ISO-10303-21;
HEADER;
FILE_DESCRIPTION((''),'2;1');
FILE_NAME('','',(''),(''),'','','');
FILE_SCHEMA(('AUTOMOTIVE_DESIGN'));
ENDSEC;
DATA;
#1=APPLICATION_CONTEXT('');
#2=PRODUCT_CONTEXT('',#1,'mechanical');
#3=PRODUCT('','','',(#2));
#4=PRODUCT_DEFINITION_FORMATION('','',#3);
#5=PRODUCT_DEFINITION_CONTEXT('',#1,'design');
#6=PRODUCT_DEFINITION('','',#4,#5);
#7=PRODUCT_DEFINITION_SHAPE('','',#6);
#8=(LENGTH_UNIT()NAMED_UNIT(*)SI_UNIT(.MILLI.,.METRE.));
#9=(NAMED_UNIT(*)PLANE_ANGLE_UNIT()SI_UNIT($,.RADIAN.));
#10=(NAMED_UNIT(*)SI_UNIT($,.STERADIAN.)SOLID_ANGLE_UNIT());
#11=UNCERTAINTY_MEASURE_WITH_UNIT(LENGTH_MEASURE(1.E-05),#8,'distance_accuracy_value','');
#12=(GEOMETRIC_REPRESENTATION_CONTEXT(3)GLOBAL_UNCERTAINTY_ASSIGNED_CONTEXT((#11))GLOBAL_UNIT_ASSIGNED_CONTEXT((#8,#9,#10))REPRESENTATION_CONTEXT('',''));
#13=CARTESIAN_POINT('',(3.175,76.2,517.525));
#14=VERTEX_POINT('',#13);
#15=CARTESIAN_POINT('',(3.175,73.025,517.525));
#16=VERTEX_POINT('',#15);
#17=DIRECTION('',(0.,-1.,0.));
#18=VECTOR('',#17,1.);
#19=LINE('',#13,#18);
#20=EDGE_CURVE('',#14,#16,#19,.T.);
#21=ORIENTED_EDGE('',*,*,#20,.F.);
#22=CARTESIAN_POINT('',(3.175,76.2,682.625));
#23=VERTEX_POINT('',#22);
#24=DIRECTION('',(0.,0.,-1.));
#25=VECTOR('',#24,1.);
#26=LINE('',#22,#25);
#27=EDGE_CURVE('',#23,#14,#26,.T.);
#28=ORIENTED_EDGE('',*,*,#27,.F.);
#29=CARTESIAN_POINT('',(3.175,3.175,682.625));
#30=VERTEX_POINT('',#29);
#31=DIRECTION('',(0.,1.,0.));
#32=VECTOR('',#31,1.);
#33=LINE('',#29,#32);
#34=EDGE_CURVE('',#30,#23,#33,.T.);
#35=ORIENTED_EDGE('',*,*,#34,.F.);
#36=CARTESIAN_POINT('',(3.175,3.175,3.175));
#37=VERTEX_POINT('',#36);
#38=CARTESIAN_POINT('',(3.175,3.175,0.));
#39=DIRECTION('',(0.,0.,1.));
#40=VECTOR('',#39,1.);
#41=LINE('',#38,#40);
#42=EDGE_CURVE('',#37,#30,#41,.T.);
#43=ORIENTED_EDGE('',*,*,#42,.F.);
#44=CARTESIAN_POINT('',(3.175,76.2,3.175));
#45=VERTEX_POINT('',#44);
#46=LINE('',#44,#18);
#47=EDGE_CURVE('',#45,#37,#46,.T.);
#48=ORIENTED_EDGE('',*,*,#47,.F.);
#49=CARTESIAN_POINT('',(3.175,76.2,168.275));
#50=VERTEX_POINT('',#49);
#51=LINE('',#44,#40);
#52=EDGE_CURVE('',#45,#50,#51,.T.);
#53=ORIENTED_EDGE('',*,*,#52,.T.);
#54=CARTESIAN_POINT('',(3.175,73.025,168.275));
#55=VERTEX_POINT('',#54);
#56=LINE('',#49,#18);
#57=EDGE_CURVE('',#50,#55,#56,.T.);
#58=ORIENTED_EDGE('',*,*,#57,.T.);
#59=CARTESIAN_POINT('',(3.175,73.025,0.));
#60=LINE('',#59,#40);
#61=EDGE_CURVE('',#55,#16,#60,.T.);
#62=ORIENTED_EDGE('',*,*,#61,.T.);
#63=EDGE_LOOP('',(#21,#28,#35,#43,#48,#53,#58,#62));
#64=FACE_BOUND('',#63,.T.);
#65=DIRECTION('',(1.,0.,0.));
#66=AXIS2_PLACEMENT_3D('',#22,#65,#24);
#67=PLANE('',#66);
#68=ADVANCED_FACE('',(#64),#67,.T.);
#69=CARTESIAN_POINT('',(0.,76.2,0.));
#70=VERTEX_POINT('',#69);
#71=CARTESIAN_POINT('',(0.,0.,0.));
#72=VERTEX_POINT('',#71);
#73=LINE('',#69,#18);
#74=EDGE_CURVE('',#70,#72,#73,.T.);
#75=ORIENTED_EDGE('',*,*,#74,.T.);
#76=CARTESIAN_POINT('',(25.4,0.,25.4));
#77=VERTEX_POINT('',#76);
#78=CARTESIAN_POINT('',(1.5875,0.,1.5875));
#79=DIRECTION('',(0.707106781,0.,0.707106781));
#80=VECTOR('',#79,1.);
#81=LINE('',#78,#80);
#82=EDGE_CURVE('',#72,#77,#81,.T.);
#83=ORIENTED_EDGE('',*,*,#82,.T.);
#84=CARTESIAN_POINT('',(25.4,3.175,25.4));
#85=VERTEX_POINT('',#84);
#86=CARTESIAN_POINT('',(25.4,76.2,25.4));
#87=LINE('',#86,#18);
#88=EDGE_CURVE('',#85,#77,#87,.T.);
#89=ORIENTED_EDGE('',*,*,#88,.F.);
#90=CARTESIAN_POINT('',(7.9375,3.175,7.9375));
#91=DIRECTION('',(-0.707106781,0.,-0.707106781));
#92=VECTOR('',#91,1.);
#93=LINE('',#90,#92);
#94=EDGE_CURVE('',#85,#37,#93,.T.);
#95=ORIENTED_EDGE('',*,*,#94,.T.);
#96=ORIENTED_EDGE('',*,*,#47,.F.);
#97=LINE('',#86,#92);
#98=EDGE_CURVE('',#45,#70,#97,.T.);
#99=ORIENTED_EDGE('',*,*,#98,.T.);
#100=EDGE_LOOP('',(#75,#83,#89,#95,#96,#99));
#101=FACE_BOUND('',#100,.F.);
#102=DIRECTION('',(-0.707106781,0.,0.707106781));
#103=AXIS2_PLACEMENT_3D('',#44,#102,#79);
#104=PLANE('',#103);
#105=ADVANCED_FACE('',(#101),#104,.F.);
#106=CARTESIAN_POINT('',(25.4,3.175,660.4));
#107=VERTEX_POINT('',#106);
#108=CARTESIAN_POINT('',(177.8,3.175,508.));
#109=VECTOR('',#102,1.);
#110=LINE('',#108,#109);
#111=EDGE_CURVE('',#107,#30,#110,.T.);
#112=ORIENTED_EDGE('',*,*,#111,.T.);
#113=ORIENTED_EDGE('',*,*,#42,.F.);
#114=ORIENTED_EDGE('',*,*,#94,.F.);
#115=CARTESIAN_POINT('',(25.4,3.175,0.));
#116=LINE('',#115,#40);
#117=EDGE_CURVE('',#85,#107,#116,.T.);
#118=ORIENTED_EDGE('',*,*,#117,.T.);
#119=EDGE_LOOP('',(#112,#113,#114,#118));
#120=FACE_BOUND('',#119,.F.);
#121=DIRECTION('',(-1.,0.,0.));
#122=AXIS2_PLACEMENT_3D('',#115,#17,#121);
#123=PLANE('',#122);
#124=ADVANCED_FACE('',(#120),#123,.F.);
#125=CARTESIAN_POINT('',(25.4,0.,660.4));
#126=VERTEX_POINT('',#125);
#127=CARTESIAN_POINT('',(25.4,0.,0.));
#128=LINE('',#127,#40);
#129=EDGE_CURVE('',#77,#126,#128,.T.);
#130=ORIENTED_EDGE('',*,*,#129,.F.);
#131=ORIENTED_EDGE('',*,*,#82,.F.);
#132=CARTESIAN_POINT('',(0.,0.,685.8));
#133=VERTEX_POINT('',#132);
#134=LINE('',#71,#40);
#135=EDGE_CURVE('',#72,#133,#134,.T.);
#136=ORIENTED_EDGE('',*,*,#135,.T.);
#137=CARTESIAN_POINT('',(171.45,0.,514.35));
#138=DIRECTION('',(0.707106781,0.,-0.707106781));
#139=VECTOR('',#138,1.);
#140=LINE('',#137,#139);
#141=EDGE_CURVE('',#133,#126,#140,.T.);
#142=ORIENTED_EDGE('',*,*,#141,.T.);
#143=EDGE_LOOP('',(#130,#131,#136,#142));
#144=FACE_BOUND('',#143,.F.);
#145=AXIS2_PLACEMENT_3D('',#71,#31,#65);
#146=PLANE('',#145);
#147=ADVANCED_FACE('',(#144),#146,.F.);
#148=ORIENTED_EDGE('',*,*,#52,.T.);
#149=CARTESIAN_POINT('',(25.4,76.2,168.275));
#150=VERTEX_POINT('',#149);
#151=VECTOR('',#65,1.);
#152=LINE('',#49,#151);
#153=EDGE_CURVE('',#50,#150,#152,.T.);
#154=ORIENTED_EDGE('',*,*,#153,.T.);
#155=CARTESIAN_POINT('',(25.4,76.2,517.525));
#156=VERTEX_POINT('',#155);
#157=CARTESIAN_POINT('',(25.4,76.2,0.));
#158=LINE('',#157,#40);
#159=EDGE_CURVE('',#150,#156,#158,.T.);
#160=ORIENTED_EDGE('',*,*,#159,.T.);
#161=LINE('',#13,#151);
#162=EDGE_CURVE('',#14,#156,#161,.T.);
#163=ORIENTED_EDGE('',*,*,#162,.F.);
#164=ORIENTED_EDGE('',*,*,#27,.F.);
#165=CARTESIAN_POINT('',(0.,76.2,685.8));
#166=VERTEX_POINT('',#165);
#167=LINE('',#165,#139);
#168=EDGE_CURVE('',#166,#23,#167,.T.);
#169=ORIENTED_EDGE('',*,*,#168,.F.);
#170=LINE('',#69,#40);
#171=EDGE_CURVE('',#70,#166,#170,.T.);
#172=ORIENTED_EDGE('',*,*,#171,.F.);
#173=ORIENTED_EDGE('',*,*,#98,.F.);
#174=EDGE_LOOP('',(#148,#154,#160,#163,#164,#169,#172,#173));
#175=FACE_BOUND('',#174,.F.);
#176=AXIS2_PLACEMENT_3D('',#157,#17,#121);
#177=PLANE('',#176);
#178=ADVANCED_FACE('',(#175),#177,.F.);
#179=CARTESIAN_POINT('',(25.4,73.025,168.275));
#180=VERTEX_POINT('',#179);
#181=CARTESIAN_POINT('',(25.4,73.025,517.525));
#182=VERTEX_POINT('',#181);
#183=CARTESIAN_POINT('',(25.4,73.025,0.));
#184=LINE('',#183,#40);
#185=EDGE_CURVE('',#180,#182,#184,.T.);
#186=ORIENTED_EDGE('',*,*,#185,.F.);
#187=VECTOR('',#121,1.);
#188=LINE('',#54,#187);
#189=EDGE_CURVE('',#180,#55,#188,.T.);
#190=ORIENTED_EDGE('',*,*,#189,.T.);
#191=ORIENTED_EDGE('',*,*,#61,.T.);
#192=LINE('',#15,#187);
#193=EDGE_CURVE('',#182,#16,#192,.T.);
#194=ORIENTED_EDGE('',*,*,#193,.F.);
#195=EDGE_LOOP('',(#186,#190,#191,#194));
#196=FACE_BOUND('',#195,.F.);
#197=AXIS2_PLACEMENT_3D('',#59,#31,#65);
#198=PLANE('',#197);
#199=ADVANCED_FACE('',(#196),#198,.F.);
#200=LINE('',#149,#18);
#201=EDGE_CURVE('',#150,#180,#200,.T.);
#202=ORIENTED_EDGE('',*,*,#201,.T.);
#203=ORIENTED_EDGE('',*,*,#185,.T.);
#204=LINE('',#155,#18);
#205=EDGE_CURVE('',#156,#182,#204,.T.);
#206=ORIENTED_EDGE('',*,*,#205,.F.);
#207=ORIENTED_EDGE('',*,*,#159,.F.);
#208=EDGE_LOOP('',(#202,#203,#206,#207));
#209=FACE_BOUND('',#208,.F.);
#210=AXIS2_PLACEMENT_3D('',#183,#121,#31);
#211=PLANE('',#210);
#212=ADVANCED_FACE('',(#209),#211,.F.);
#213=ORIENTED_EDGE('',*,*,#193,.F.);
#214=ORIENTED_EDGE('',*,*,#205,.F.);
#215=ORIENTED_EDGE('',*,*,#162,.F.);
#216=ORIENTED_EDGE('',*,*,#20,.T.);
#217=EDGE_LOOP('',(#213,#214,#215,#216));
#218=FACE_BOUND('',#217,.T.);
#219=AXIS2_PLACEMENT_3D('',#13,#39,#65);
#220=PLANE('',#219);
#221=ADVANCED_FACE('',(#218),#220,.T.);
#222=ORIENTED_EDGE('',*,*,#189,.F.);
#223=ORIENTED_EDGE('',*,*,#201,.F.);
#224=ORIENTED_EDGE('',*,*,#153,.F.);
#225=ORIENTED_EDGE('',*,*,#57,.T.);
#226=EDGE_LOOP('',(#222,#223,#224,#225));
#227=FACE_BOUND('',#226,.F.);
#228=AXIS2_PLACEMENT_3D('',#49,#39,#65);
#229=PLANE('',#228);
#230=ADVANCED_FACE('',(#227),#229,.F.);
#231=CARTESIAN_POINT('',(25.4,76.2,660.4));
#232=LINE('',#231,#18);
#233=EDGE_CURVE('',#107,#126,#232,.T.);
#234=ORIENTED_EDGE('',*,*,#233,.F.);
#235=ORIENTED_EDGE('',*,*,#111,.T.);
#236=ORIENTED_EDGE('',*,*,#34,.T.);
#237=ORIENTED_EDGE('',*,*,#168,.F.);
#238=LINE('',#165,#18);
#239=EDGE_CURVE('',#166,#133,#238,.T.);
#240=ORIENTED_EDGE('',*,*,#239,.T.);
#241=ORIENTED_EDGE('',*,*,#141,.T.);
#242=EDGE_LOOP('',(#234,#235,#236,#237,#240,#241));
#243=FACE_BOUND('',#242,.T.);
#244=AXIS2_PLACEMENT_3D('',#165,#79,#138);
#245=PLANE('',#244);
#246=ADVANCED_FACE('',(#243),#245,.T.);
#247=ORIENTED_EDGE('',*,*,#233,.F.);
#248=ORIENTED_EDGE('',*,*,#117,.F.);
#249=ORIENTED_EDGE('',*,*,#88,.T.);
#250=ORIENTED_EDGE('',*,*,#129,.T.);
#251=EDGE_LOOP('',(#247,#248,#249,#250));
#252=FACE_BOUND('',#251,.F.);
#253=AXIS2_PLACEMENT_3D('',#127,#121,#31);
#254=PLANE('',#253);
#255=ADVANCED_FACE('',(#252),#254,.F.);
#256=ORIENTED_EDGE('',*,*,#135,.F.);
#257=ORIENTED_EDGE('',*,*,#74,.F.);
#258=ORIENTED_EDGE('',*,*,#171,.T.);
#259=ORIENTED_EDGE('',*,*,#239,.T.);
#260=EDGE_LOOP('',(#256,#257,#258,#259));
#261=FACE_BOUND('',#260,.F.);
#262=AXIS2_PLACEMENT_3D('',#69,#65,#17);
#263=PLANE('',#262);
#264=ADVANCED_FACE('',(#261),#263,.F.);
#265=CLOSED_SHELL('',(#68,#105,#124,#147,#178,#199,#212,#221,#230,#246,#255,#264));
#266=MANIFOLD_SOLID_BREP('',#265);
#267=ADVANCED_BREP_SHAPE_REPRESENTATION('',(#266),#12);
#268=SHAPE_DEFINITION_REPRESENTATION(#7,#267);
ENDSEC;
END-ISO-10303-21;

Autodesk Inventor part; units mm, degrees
ref_plane "YZ Plane" through (0, 0, 0) normal (1, 0, 0) x (0, 1, 0)
ref_plane "XZ Plane" through (0, 0, 0) normal (0, 1, 0) x (-1, 0, 0)
ref_plane "XY Plane" through (0, 0, 0) normal (0, 0, 1) x (1, 0, 0)
sketch "Sketch1" plane through (0, 0, 0) normal (0, 0, 1) x (1, 0, 0)
  line L0 (0, 0) -> (25.4, 0)
  line L1 (25.4, 76.2) -> (0, 76.2)
  line L2 (0, 76.2) -> (0, 0)
  line L3 (25.4, 3.175) -> (3.175, 3.175)
  line L4 (3.175, 3.175) -> (3.175, 73.025)
  line L5 (3.175, 73.025) -> (25.4, 73.025)
  line L6 (25.4, 0) -> (25.4, 3.175)
  line L7 (25.4, 73.025) -> (25.4, 76.2)
  dimension "d0" = 76.2
  dimension "d1" = 25.4
  dimension "d2" = 3.175
  dimension "d3" = 3.175
  dimension "d4" = 3.175
extrude "Extrusion1" add sketch "Sketch1" along normal blind 685.8
sketch "Sketch2" plane through (0, 76.2, 0) normal (0, 1, 0) x (1, 0, 0)
  line L0 (0, -685.8) -> (25.4, -685.8) projected
  line L1 (25.4, 0) -> (25.4, -685.8) projected
  line L2 (25.4, 0) -> (0, 0) projected
  line L3 (0, 0) -> (0, -685.8) projected
  line L4 (0, -685.8) -> (25.4, -660.4)
  line L5 (0, 0) -> (25.4, -25.4)
  line L6 (3.175, -682.625) -> (3.175, -517.525)
  line L7 (3.175, -517.525) -> (25.4, -517.525)
  line L8 (3.175, -3.175) -> (3.175, -168.275)
  line L9 (3.175, -168.275) -> (25.4, -168.275)
  dimension "d7" = 45
  dimension "d8" = 3.175
  dimension "d9" = 165.1
  dimension "d10" = 165.1
extrude "Extrusion2" cut sketch "Sketch2" against normal through all contours L4 L1 L0 | L2 L1 L5
extrude "Extrusion3" cut sketch "Sketch2" against normal up to next contours L6 L7 L1 L4 | L5 L1 L9 L8
equation "\"d3\" = d2"
equation "\"d4\" = d2"
equation "\"d10\" = d9"
properties part number "frame U 1 by 3"
